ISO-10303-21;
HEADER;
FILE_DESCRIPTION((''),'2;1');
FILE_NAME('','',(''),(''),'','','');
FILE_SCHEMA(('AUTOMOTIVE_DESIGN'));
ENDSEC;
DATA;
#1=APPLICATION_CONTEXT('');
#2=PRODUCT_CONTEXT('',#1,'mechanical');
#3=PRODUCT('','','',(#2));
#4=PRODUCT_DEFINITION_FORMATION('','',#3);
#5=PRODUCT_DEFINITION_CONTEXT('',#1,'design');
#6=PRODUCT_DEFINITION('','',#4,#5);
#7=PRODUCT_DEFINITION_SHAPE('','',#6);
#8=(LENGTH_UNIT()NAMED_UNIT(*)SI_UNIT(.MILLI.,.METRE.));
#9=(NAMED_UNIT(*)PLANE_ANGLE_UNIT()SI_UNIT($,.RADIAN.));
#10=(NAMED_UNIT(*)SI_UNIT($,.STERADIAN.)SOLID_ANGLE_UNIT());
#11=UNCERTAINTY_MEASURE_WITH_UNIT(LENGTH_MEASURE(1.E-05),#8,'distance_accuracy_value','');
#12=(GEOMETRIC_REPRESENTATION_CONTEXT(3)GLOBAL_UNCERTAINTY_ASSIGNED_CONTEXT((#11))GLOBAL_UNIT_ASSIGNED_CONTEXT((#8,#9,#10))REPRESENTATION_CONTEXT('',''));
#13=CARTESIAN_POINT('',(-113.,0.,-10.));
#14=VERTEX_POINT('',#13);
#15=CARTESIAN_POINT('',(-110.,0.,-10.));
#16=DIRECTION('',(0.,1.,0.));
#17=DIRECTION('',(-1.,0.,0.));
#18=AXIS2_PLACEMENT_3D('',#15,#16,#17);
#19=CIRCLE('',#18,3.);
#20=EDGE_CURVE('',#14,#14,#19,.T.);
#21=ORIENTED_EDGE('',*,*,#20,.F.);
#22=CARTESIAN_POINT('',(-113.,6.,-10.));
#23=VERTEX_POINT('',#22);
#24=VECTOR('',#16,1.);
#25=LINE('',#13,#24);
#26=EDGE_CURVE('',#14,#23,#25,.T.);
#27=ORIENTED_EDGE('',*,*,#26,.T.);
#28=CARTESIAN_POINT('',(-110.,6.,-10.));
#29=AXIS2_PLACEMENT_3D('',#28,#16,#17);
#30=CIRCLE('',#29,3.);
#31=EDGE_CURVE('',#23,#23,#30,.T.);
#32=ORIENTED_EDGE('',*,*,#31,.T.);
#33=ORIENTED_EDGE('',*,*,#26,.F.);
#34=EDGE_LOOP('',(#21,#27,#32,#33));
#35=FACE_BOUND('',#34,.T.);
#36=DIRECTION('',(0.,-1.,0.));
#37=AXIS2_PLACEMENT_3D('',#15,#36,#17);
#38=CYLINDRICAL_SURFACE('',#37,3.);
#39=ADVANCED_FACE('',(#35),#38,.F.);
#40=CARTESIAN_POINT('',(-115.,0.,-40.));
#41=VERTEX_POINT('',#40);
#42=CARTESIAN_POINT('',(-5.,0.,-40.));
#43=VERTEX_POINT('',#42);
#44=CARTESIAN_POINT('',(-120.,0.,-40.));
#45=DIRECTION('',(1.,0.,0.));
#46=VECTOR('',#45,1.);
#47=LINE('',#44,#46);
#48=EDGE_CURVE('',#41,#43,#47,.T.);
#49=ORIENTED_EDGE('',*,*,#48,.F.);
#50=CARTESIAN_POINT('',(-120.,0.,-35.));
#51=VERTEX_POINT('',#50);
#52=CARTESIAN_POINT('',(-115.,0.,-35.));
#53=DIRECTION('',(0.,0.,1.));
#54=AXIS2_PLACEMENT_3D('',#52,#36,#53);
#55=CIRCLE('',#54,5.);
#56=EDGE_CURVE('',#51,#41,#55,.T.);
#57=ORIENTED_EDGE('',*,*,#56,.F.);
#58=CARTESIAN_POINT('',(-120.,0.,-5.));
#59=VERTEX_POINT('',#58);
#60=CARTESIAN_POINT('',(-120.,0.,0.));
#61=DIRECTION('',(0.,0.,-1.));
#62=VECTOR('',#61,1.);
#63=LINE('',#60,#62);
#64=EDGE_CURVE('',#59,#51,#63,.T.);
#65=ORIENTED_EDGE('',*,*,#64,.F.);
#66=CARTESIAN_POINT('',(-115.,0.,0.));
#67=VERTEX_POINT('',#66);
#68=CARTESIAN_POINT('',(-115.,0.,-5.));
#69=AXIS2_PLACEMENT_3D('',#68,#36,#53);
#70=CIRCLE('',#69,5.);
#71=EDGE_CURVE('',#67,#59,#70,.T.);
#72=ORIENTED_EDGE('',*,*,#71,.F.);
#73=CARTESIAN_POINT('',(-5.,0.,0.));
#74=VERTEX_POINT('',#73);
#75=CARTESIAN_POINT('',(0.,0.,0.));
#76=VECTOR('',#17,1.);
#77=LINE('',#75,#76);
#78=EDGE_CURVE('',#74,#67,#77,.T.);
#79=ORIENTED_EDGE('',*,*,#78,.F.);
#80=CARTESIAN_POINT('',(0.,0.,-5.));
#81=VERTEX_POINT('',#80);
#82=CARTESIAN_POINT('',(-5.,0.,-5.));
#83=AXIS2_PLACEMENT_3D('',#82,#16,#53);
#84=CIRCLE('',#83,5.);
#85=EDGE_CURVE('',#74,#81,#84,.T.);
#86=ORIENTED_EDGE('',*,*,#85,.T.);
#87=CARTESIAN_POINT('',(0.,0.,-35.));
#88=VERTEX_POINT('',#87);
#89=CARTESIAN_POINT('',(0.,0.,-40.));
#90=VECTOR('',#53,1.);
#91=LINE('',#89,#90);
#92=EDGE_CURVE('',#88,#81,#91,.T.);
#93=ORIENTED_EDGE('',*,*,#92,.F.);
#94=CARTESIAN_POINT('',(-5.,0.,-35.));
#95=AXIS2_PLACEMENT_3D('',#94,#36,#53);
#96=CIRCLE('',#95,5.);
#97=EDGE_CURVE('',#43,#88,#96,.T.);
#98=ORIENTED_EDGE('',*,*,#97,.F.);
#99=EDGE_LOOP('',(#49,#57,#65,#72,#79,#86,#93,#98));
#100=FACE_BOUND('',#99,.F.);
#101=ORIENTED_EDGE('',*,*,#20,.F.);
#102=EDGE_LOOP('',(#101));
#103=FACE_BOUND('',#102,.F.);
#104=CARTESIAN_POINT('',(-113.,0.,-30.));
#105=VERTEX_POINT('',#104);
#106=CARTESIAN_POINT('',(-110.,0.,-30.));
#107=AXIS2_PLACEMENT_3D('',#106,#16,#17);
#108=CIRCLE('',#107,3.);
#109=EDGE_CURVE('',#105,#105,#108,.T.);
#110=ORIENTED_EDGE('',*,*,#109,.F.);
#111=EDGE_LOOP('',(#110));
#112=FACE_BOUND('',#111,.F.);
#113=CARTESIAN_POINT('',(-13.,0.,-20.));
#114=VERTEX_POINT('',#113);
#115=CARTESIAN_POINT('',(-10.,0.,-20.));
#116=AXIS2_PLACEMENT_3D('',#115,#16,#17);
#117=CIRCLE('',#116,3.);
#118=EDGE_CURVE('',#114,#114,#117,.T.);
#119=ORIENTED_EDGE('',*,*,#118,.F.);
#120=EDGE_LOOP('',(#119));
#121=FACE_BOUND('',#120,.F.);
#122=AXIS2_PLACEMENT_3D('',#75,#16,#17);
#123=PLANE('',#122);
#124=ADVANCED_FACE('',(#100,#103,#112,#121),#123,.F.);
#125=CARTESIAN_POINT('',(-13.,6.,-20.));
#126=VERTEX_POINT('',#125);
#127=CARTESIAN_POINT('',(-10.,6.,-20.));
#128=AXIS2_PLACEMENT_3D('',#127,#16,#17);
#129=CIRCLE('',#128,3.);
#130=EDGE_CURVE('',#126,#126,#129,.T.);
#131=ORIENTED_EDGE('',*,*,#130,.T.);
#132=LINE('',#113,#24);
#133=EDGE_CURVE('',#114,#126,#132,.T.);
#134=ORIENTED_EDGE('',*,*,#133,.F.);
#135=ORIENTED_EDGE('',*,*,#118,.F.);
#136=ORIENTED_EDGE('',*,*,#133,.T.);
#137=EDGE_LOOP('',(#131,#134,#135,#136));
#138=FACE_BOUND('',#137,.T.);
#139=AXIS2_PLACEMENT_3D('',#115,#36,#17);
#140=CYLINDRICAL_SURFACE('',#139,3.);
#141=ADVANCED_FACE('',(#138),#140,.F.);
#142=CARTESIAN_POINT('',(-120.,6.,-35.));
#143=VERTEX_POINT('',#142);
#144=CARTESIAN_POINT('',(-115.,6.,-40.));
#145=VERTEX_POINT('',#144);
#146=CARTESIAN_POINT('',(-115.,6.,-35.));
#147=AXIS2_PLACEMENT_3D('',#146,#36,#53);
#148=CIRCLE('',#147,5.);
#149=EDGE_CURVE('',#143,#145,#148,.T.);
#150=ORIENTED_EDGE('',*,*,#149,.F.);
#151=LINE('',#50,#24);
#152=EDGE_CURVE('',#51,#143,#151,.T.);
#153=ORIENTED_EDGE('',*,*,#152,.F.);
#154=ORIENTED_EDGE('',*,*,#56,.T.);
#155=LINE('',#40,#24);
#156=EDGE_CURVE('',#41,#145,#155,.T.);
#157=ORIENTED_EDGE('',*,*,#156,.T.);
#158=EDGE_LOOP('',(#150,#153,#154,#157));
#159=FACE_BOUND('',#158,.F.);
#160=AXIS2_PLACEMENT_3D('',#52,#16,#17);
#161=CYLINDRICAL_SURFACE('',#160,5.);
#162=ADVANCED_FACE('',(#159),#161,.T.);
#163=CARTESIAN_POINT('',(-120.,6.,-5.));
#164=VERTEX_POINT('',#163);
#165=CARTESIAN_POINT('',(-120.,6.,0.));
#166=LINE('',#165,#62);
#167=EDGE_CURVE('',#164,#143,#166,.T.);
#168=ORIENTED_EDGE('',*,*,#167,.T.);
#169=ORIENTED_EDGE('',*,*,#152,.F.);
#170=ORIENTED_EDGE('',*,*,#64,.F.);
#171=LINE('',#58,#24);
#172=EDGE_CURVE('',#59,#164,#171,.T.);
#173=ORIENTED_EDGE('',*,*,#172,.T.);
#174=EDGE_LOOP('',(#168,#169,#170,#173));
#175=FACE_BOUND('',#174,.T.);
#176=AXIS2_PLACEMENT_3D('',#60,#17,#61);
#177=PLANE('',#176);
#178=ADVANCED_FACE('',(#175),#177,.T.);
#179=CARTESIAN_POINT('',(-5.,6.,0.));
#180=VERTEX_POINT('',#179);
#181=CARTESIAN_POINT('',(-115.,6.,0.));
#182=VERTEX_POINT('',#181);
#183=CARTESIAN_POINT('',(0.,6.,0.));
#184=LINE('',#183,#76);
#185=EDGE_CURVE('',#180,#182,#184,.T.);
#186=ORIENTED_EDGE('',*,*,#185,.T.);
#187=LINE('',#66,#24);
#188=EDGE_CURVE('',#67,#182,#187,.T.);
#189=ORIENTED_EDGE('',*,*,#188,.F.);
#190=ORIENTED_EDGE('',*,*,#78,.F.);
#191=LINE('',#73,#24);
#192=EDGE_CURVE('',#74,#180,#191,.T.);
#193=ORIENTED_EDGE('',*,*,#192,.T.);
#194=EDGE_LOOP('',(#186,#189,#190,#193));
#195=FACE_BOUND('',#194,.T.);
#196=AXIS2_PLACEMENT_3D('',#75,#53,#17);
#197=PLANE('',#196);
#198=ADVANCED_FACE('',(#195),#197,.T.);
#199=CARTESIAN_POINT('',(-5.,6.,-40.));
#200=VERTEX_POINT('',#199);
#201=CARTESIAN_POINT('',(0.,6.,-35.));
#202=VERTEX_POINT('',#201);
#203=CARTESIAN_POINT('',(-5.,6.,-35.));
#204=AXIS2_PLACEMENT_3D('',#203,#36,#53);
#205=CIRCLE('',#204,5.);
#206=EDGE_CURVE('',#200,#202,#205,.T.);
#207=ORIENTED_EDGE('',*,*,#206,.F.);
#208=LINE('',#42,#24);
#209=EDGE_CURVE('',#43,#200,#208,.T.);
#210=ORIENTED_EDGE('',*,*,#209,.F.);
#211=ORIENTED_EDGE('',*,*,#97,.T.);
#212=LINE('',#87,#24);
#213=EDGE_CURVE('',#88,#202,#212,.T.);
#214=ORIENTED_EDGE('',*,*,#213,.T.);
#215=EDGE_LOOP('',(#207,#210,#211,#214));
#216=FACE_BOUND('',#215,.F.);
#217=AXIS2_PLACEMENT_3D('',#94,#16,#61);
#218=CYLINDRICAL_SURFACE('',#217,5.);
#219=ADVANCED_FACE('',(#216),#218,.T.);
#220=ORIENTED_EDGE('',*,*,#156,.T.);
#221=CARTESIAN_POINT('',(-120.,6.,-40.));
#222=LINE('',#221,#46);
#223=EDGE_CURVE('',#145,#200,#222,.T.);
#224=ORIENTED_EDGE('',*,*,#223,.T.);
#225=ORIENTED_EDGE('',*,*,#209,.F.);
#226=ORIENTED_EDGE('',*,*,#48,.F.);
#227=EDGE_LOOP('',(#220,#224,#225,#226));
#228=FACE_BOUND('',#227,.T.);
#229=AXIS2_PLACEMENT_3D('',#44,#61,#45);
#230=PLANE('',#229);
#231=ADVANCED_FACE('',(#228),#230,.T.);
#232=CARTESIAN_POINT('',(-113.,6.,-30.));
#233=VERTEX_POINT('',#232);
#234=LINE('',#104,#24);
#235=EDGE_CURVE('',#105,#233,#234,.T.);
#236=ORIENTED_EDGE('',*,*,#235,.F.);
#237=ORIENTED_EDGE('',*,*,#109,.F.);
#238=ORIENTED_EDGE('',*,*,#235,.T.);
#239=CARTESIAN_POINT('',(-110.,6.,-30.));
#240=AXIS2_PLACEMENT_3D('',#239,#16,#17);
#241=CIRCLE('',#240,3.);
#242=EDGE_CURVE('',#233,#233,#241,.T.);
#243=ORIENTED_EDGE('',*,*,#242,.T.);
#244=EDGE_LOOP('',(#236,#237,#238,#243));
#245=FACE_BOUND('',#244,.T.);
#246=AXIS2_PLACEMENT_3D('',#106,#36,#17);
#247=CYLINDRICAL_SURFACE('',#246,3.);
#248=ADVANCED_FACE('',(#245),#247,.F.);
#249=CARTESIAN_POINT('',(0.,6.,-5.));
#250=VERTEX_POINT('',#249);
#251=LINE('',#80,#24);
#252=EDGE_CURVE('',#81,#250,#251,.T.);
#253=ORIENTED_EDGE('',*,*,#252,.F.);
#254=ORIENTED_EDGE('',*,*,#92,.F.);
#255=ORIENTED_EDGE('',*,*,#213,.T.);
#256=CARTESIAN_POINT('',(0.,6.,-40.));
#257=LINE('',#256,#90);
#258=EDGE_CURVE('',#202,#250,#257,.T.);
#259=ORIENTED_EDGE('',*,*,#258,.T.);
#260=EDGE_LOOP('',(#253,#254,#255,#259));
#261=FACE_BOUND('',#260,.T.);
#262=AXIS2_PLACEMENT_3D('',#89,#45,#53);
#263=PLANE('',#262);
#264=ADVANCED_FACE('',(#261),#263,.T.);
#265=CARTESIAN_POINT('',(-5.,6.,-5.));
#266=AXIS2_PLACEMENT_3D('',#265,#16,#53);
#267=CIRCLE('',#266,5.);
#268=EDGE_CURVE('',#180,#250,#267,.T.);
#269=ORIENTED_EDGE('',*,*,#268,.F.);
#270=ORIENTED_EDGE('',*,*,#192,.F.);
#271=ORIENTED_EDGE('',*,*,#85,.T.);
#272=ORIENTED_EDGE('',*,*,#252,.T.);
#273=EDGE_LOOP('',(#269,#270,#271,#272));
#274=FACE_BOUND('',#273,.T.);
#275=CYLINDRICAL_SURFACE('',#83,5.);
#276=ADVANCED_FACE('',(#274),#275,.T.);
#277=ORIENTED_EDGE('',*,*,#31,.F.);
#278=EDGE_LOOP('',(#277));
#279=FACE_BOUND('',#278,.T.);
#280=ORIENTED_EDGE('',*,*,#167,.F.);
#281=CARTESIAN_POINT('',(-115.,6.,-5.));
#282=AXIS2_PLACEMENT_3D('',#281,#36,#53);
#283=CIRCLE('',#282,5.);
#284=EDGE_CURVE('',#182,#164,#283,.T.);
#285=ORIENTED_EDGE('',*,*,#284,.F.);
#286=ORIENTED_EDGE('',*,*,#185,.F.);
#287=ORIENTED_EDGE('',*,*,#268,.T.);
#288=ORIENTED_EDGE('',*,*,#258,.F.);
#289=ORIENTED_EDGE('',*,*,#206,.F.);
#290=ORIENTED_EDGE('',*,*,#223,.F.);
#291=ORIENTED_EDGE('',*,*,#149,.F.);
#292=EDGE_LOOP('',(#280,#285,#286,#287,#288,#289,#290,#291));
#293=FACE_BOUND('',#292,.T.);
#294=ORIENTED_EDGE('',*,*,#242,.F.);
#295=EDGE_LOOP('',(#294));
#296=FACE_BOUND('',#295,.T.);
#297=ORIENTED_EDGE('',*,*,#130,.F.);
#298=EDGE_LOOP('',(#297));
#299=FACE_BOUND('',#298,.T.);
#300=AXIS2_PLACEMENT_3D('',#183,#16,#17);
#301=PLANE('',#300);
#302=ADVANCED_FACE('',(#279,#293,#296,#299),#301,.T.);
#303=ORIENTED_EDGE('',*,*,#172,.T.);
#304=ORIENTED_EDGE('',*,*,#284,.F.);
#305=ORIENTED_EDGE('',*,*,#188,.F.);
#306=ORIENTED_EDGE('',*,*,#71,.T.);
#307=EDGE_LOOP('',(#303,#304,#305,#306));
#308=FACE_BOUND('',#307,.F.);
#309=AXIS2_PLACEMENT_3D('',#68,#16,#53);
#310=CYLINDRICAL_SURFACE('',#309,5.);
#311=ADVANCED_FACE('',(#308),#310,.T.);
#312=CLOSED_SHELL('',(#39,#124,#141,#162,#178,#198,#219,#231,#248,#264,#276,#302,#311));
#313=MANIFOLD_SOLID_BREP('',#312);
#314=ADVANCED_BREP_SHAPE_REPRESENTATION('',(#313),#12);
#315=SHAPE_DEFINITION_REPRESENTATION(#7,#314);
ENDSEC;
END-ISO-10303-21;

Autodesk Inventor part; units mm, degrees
ref_plane "YZ Plane" through (0, 0, 0) normal (1, 0, 0) x (0, 1, 0)
ref_plane "XZ Plane" through (0, 0, 0) normal (0, 1, 0) x (-1, 0, 0)
ref_plane "XY Plane" through (0, 0, 0) normal (0, 0, 1) x (1, 0, 0)
sketch "Sketch1" plane through (0, 0, 0) normal (0, 1, 0) x (-1, 0, 0)
  line L0 (0, 0) -> (120, 0)
  line L1 (120, 0) -> (120, -40)
  line L2 (120, -40) -> (0, -40)
  line L3 (0, -40) -> (0, 0)
  circle A0 centre (10, -20) radius 3
  circle A1 centre (110, -10) radius 3
  circle A2 centre (110, -30) radius 3
  dimension "d0" = 120
  dimension "d1" = 40
  dimension "d2" = 6
  dimension "d3" = 10
  dimension "d4" = 20
  dimension "d5" = 6
  dimension "d6" = 10
  dimension "d7" = 6
  dimension "d8" = 20
  dimension "d9" = 10
  dimension "d10" = 10
extrude "Extrusion1" add sketch "Sketch1" along normal blind 6
fillet "Fillet1" radius 5 4 edges at (0, 3, 0) (0, 3, -40) (-120, 3, 0) (-120, 3, -40)
properties part number "EboxTslotMount"
